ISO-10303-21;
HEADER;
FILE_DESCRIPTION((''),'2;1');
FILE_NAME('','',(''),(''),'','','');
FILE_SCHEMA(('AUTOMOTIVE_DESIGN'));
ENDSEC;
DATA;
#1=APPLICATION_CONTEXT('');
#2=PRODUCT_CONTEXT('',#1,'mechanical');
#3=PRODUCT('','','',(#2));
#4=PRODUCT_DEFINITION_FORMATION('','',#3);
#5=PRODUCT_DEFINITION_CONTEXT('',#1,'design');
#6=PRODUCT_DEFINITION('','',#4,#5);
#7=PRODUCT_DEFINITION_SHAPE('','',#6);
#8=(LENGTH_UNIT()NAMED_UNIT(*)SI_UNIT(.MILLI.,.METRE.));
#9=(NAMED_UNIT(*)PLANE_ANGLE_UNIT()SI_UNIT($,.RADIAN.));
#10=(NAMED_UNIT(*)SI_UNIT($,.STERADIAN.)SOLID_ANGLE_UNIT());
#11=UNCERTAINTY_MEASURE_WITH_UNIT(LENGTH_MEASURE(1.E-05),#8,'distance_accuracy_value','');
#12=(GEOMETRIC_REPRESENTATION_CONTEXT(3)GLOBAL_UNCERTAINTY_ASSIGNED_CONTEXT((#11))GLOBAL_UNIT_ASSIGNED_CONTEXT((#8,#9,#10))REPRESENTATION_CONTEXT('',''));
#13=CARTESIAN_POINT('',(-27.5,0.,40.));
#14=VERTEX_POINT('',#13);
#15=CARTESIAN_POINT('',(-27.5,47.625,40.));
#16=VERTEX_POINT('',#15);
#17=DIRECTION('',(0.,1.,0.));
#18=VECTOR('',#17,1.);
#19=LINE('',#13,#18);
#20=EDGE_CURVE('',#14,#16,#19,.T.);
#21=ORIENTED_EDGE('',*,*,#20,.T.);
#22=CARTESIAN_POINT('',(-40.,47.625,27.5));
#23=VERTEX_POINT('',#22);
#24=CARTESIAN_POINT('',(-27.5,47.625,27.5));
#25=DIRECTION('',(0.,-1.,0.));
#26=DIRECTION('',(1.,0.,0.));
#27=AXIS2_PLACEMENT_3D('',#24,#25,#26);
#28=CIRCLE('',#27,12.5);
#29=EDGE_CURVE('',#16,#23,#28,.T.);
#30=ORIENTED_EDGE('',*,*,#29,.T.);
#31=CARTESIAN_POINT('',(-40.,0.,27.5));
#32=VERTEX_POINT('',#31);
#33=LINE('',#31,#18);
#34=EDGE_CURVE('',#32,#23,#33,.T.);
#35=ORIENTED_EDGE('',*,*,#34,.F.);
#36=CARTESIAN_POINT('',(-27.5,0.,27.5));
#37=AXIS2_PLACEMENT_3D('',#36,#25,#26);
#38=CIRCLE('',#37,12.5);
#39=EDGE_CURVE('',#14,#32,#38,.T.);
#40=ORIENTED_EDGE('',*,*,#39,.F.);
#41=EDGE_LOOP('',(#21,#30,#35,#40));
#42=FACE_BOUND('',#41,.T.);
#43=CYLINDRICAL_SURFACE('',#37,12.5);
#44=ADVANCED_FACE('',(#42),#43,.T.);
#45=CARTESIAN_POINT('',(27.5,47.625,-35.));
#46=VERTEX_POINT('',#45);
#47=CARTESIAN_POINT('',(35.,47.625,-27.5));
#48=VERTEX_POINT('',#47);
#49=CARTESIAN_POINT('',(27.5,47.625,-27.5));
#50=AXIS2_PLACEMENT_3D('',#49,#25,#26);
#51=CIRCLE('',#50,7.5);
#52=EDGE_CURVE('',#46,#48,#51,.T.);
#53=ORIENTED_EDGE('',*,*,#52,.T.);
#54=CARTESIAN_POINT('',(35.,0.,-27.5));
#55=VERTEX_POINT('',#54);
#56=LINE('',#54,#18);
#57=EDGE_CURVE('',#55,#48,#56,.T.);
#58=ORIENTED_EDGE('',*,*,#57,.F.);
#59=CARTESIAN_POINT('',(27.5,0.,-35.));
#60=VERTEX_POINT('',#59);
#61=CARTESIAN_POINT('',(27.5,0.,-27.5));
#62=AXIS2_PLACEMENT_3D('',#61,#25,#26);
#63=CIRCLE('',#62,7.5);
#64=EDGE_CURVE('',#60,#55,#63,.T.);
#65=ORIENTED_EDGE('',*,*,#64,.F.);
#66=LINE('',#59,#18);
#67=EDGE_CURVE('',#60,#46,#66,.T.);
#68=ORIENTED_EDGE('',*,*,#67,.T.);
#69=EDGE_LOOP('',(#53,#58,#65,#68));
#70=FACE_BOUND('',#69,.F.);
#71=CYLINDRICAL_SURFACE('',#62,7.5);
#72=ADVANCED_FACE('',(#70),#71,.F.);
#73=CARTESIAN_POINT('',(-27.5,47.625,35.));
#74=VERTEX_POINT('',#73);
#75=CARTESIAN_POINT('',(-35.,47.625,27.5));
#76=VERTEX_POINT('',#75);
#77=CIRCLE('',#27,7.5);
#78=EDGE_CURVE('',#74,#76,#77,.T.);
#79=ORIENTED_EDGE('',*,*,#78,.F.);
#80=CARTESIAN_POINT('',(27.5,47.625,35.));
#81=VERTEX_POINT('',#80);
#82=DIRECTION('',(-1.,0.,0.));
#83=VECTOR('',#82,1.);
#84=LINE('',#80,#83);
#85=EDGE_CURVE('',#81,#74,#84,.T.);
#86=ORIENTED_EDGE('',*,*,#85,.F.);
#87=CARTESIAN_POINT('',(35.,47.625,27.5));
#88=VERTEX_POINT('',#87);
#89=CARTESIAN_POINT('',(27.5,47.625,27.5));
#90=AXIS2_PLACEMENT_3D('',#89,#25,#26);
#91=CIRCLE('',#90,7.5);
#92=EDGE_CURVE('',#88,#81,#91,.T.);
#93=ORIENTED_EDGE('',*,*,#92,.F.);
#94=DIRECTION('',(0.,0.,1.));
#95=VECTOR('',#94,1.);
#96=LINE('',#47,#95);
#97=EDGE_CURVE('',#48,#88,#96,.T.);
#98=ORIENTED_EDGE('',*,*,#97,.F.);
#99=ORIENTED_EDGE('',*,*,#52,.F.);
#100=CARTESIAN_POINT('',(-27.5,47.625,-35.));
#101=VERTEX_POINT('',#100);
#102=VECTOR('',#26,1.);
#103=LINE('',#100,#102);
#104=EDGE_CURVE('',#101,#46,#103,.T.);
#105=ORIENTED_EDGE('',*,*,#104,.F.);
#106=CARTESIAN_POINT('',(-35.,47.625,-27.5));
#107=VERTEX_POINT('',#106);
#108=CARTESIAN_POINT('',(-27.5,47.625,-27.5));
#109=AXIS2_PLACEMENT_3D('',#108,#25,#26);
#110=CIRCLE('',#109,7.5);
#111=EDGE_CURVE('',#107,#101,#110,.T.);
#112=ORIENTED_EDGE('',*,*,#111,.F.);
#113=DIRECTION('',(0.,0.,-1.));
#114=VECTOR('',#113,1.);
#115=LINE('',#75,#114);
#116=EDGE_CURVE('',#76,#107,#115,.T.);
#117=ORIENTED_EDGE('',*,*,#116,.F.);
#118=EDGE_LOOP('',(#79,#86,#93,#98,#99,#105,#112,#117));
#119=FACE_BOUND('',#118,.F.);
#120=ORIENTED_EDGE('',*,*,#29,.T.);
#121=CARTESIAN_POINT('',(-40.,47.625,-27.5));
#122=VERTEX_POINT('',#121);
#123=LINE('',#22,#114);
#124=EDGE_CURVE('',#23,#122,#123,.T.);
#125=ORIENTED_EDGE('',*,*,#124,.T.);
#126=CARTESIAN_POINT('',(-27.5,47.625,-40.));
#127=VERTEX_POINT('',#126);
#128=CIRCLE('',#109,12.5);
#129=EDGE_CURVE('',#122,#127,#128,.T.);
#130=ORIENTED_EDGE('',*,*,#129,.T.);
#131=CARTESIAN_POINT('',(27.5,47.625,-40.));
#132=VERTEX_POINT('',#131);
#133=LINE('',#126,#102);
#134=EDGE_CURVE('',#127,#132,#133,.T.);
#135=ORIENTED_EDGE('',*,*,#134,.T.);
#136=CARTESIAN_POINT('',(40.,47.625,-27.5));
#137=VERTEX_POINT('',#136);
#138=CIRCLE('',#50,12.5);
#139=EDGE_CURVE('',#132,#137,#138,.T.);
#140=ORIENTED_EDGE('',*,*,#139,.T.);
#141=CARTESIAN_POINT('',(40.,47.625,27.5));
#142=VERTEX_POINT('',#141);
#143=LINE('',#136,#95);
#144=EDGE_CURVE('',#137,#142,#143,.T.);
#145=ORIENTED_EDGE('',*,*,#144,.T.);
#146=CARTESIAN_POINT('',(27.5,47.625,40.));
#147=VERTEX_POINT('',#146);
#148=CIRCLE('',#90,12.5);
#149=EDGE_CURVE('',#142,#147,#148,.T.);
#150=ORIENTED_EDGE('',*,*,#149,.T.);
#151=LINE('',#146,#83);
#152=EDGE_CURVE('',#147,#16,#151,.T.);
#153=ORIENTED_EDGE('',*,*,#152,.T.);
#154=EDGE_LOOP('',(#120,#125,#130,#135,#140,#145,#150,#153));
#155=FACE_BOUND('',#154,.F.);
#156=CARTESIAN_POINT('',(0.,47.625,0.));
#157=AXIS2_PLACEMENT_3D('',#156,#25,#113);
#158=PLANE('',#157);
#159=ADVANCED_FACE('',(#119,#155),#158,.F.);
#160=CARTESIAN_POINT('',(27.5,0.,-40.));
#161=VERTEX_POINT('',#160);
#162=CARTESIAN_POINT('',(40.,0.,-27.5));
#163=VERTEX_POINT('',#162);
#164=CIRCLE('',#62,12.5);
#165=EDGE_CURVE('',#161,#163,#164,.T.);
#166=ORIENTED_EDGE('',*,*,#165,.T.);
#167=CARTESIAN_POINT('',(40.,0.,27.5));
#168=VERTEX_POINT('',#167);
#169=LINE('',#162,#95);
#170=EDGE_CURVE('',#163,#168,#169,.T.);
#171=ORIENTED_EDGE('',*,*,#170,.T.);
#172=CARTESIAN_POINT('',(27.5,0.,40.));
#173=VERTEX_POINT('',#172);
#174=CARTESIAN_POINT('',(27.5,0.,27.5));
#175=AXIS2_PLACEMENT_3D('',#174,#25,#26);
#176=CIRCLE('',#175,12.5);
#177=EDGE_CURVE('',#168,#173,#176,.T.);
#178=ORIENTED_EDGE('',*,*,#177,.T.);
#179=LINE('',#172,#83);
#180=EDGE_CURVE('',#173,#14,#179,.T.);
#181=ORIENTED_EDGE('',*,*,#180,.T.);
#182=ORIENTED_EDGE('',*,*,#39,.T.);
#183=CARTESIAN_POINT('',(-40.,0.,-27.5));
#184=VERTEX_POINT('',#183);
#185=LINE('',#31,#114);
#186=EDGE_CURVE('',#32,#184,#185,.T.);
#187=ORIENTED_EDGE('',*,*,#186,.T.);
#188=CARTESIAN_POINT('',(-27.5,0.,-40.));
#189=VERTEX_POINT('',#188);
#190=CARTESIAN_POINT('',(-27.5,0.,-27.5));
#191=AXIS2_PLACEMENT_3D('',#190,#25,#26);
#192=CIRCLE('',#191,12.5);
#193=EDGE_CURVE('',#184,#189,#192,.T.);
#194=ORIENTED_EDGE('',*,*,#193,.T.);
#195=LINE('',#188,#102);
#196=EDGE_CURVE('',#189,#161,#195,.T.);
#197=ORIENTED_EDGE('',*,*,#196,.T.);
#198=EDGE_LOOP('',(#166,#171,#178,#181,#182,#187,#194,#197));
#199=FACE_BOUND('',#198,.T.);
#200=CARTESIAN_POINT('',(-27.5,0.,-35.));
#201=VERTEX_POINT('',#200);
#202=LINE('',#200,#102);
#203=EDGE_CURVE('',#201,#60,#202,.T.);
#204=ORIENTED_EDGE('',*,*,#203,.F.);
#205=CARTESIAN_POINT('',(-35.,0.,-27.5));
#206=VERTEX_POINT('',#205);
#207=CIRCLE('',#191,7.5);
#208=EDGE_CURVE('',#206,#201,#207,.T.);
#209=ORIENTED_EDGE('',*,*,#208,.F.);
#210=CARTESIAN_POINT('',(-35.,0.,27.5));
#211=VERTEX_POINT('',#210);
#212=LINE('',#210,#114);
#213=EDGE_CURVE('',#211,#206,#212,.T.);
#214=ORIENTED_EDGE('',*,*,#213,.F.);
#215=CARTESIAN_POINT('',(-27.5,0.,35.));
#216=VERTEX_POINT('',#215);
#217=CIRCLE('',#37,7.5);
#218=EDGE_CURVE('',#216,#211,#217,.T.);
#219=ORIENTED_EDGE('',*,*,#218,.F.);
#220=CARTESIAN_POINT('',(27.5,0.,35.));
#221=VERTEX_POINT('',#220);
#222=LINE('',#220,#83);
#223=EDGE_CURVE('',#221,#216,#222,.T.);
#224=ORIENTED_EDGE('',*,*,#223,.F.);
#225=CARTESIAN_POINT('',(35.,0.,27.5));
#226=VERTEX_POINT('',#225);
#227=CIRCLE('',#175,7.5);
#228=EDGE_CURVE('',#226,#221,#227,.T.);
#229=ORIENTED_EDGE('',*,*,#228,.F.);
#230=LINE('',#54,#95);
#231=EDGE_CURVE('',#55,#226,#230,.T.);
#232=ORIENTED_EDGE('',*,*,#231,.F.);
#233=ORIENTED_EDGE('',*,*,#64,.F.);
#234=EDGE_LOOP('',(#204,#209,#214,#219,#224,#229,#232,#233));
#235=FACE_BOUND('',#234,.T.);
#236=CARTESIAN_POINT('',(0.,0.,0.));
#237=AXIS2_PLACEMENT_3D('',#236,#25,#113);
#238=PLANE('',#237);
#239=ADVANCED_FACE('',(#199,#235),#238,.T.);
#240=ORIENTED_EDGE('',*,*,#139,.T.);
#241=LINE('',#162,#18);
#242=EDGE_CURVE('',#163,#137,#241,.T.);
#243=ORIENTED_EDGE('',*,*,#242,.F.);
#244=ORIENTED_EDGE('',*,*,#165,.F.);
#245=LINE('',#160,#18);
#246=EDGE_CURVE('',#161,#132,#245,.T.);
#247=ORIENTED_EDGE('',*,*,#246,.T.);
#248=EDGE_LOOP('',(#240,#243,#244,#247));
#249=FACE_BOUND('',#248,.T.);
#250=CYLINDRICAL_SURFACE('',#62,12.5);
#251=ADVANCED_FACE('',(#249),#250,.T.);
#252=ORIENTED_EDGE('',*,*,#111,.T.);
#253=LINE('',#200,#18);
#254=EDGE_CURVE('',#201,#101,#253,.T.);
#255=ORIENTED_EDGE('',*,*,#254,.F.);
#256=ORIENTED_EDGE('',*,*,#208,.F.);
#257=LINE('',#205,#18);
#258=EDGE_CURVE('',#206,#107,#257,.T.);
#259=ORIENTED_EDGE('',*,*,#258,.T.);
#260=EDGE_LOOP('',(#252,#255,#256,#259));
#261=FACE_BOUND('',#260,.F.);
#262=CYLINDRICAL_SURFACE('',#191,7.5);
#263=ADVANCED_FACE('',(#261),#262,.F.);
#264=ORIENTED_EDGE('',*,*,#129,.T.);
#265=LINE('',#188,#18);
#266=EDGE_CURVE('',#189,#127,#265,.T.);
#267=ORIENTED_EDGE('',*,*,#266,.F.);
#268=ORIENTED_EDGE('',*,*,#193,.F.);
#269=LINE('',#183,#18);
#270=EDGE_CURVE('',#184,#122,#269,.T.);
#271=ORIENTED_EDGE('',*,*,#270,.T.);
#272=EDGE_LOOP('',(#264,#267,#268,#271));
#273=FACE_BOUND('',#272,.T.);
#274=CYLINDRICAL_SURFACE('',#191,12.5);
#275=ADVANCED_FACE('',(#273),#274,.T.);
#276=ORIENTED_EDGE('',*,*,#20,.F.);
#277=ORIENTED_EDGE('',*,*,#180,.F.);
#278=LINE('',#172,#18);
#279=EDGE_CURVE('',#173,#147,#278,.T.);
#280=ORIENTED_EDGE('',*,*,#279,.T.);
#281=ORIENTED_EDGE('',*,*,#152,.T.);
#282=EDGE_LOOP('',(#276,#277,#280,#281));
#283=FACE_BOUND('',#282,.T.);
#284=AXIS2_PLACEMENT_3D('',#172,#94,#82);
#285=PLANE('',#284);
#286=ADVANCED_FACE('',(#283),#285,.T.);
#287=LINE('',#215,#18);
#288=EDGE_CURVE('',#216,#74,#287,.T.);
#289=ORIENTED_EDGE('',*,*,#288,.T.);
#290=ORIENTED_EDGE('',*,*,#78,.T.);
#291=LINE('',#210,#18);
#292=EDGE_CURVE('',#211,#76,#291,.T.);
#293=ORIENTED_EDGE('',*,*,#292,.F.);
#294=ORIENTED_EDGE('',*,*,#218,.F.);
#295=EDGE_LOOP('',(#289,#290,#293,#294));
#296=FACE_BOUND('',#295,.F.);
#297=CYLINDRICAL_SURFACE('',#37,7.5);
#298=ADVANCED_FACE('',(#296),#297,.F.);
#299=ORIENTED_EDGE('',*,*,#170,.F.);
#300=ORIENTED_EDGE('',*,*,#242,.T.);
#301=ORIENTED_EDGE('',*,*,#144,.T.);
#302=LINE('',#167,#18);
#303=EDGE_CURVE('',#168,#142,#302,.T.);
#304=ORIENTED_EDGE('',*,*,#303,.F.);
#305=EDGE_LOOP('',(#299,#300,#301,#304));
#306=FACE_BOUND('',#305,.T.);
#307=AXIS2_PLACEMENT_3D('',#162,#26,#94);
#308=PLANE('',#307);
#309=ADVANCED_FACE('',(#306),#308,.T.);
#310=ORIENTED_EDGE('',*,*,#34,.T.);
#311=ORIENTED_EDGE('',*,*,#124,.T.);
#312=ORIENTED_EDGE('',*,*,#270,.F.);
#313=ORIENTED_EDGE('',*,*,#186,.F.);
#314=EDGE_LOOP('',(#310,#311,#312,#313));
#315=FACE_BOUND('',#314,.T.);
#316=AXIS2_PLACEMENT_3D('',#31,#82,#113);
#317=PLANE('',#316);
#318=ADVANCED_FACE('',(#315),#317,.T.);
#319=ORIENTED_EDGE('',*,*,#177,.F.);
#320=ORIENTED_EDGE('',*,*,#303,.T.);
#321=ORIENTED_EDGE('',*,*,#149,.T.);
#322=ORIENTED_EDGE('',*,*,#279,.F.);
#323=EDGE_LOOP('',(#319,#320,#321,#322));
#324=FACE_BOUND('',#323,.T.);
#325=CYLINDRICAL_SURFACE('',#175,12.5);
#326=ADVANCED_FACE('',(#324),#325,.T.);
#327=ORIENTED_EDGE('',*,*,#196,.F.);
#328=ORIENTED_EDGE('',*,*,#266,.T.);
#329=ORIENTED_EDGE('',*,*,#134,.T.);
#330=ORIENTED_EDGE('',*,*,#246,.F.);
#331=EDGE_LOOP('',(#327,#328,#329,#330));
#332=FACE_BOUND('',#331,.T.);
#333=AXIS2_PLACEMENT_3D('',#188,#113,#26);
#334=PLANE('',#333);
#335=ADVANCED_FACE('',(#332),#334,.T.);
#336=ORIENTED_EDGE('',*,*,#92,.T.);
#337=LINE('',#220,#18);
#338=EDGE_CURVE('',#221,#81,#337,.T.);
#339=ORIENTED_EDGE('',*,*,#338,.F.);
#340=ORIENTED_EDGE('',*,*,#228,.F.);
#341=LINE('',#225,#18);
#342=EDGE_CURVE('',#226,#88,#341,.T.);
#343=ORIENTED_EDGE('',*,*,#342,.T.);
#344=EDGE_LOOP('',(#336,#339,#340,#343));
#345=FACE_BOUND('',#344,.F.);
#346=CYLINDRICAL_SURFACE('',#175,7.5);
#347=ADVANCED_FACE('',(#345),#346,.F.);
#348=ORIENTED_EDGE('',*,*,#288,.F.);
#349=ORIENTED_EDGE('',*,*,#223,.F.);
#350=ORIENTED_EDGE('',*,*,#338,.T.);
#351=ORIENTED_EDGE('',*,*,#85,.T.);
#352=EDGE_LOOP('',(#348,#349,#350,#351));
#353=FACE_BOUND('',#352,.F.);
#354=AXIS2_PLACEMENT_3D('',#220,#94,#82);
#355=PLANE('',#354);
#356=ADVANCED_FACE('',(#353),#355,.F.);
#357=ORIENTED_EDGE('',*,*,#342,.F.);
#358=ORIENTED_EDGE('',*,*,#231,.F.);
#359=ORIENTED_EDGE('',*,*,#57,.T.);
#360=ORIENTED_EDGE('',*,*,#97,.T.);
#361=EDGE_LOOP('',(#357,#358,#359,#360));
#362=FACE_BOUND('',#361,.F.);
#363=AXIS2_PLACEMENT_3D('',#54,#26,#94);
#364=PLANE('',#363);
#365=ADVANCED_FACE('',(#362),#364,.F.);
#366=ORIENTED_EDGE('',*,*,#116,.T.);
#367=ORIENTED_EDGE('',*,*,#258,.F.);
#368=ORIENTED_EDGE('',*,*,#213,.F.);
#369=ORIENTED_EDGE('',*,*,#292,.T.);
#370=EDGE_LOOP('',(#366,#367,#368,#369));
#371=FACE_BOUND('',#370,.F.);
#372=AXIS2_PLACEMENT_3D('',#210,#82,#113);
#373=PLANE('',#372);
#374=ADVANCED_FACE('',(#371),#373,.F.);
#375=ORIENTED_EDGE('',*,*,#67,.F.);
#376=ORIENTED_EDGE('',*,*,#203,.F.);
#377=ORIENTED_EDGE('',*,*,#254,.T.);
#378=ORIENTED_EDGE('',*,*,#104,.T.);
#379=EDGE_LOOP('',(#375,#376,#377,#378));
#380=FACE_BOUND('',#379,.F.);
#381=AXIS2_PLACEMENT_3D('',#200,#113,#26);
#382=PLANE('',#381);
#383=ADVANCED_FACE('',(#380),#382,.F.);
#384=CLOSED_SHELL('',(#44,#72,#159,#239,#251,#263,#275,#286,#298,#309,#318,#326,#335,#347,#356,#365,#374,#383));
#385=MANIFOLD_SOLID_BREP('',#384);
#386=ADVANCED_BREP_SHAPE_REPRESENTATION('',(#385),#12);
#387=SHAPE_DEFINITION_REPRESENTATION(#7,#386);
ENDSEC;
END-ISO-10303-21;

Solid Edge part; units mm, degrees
sketch "Sketch1" plane through (0, 0, 0) normal (0, -1, 0) x (1, 0, 0)
  arc A0 (-27.5, 35) -> (-35, 27.5) centre (-27.5, 27.5) ccw
  line L0 (-35, 27.5) -> (-35, -27.5)
  arc A1 (-35, -27.5) -> (-27.5, -35) centre (-27.5, -27.5) ccw
  line L1 (-27.5, -35) -> (27.5, -35)
  arc A2 (27.5, -35) -> (35, -27.5) centre (27.5, -27.5) ccw
  line L2 (35, -27.5) -> (35, 27.5)
  arc A3 (35, 27.5) -> (27.5, 35) centre (27.5, 27.5) ccw
  line L3 (27.5, 35) -> (-27.5, 35)
  arc A4 (-27.5, 40) -> (-40, 27.5) centre (-27.5, 27.5) ccw
  line L4 (-40, 27.5) -> (-40, -27.5)
  arc A5 (-40, -27.5) -> (-27.5, -40) centre (-27.5, -27.5) ccw
  line L5 (-27.5, -40) -> (27.5, -40)
  arc A6 (27.5, -40) -> (40, -27.5) centre (27.5, -27.5) ccw
  line L6 (40, -27.5) -> (40, 27.5)
  arc A7 (40, 27.5) -> (27.5, 40) centre (27.5, 27.5) ccw
  line L7 (27.5, 40) -> (-27.5, 40)
  dimension "D1" = 80
  dimension "D2" = 80
  dimension "D3" = 5
extrude "Protrusion1" add sketch "Sketch1" against normal blind 47.625
